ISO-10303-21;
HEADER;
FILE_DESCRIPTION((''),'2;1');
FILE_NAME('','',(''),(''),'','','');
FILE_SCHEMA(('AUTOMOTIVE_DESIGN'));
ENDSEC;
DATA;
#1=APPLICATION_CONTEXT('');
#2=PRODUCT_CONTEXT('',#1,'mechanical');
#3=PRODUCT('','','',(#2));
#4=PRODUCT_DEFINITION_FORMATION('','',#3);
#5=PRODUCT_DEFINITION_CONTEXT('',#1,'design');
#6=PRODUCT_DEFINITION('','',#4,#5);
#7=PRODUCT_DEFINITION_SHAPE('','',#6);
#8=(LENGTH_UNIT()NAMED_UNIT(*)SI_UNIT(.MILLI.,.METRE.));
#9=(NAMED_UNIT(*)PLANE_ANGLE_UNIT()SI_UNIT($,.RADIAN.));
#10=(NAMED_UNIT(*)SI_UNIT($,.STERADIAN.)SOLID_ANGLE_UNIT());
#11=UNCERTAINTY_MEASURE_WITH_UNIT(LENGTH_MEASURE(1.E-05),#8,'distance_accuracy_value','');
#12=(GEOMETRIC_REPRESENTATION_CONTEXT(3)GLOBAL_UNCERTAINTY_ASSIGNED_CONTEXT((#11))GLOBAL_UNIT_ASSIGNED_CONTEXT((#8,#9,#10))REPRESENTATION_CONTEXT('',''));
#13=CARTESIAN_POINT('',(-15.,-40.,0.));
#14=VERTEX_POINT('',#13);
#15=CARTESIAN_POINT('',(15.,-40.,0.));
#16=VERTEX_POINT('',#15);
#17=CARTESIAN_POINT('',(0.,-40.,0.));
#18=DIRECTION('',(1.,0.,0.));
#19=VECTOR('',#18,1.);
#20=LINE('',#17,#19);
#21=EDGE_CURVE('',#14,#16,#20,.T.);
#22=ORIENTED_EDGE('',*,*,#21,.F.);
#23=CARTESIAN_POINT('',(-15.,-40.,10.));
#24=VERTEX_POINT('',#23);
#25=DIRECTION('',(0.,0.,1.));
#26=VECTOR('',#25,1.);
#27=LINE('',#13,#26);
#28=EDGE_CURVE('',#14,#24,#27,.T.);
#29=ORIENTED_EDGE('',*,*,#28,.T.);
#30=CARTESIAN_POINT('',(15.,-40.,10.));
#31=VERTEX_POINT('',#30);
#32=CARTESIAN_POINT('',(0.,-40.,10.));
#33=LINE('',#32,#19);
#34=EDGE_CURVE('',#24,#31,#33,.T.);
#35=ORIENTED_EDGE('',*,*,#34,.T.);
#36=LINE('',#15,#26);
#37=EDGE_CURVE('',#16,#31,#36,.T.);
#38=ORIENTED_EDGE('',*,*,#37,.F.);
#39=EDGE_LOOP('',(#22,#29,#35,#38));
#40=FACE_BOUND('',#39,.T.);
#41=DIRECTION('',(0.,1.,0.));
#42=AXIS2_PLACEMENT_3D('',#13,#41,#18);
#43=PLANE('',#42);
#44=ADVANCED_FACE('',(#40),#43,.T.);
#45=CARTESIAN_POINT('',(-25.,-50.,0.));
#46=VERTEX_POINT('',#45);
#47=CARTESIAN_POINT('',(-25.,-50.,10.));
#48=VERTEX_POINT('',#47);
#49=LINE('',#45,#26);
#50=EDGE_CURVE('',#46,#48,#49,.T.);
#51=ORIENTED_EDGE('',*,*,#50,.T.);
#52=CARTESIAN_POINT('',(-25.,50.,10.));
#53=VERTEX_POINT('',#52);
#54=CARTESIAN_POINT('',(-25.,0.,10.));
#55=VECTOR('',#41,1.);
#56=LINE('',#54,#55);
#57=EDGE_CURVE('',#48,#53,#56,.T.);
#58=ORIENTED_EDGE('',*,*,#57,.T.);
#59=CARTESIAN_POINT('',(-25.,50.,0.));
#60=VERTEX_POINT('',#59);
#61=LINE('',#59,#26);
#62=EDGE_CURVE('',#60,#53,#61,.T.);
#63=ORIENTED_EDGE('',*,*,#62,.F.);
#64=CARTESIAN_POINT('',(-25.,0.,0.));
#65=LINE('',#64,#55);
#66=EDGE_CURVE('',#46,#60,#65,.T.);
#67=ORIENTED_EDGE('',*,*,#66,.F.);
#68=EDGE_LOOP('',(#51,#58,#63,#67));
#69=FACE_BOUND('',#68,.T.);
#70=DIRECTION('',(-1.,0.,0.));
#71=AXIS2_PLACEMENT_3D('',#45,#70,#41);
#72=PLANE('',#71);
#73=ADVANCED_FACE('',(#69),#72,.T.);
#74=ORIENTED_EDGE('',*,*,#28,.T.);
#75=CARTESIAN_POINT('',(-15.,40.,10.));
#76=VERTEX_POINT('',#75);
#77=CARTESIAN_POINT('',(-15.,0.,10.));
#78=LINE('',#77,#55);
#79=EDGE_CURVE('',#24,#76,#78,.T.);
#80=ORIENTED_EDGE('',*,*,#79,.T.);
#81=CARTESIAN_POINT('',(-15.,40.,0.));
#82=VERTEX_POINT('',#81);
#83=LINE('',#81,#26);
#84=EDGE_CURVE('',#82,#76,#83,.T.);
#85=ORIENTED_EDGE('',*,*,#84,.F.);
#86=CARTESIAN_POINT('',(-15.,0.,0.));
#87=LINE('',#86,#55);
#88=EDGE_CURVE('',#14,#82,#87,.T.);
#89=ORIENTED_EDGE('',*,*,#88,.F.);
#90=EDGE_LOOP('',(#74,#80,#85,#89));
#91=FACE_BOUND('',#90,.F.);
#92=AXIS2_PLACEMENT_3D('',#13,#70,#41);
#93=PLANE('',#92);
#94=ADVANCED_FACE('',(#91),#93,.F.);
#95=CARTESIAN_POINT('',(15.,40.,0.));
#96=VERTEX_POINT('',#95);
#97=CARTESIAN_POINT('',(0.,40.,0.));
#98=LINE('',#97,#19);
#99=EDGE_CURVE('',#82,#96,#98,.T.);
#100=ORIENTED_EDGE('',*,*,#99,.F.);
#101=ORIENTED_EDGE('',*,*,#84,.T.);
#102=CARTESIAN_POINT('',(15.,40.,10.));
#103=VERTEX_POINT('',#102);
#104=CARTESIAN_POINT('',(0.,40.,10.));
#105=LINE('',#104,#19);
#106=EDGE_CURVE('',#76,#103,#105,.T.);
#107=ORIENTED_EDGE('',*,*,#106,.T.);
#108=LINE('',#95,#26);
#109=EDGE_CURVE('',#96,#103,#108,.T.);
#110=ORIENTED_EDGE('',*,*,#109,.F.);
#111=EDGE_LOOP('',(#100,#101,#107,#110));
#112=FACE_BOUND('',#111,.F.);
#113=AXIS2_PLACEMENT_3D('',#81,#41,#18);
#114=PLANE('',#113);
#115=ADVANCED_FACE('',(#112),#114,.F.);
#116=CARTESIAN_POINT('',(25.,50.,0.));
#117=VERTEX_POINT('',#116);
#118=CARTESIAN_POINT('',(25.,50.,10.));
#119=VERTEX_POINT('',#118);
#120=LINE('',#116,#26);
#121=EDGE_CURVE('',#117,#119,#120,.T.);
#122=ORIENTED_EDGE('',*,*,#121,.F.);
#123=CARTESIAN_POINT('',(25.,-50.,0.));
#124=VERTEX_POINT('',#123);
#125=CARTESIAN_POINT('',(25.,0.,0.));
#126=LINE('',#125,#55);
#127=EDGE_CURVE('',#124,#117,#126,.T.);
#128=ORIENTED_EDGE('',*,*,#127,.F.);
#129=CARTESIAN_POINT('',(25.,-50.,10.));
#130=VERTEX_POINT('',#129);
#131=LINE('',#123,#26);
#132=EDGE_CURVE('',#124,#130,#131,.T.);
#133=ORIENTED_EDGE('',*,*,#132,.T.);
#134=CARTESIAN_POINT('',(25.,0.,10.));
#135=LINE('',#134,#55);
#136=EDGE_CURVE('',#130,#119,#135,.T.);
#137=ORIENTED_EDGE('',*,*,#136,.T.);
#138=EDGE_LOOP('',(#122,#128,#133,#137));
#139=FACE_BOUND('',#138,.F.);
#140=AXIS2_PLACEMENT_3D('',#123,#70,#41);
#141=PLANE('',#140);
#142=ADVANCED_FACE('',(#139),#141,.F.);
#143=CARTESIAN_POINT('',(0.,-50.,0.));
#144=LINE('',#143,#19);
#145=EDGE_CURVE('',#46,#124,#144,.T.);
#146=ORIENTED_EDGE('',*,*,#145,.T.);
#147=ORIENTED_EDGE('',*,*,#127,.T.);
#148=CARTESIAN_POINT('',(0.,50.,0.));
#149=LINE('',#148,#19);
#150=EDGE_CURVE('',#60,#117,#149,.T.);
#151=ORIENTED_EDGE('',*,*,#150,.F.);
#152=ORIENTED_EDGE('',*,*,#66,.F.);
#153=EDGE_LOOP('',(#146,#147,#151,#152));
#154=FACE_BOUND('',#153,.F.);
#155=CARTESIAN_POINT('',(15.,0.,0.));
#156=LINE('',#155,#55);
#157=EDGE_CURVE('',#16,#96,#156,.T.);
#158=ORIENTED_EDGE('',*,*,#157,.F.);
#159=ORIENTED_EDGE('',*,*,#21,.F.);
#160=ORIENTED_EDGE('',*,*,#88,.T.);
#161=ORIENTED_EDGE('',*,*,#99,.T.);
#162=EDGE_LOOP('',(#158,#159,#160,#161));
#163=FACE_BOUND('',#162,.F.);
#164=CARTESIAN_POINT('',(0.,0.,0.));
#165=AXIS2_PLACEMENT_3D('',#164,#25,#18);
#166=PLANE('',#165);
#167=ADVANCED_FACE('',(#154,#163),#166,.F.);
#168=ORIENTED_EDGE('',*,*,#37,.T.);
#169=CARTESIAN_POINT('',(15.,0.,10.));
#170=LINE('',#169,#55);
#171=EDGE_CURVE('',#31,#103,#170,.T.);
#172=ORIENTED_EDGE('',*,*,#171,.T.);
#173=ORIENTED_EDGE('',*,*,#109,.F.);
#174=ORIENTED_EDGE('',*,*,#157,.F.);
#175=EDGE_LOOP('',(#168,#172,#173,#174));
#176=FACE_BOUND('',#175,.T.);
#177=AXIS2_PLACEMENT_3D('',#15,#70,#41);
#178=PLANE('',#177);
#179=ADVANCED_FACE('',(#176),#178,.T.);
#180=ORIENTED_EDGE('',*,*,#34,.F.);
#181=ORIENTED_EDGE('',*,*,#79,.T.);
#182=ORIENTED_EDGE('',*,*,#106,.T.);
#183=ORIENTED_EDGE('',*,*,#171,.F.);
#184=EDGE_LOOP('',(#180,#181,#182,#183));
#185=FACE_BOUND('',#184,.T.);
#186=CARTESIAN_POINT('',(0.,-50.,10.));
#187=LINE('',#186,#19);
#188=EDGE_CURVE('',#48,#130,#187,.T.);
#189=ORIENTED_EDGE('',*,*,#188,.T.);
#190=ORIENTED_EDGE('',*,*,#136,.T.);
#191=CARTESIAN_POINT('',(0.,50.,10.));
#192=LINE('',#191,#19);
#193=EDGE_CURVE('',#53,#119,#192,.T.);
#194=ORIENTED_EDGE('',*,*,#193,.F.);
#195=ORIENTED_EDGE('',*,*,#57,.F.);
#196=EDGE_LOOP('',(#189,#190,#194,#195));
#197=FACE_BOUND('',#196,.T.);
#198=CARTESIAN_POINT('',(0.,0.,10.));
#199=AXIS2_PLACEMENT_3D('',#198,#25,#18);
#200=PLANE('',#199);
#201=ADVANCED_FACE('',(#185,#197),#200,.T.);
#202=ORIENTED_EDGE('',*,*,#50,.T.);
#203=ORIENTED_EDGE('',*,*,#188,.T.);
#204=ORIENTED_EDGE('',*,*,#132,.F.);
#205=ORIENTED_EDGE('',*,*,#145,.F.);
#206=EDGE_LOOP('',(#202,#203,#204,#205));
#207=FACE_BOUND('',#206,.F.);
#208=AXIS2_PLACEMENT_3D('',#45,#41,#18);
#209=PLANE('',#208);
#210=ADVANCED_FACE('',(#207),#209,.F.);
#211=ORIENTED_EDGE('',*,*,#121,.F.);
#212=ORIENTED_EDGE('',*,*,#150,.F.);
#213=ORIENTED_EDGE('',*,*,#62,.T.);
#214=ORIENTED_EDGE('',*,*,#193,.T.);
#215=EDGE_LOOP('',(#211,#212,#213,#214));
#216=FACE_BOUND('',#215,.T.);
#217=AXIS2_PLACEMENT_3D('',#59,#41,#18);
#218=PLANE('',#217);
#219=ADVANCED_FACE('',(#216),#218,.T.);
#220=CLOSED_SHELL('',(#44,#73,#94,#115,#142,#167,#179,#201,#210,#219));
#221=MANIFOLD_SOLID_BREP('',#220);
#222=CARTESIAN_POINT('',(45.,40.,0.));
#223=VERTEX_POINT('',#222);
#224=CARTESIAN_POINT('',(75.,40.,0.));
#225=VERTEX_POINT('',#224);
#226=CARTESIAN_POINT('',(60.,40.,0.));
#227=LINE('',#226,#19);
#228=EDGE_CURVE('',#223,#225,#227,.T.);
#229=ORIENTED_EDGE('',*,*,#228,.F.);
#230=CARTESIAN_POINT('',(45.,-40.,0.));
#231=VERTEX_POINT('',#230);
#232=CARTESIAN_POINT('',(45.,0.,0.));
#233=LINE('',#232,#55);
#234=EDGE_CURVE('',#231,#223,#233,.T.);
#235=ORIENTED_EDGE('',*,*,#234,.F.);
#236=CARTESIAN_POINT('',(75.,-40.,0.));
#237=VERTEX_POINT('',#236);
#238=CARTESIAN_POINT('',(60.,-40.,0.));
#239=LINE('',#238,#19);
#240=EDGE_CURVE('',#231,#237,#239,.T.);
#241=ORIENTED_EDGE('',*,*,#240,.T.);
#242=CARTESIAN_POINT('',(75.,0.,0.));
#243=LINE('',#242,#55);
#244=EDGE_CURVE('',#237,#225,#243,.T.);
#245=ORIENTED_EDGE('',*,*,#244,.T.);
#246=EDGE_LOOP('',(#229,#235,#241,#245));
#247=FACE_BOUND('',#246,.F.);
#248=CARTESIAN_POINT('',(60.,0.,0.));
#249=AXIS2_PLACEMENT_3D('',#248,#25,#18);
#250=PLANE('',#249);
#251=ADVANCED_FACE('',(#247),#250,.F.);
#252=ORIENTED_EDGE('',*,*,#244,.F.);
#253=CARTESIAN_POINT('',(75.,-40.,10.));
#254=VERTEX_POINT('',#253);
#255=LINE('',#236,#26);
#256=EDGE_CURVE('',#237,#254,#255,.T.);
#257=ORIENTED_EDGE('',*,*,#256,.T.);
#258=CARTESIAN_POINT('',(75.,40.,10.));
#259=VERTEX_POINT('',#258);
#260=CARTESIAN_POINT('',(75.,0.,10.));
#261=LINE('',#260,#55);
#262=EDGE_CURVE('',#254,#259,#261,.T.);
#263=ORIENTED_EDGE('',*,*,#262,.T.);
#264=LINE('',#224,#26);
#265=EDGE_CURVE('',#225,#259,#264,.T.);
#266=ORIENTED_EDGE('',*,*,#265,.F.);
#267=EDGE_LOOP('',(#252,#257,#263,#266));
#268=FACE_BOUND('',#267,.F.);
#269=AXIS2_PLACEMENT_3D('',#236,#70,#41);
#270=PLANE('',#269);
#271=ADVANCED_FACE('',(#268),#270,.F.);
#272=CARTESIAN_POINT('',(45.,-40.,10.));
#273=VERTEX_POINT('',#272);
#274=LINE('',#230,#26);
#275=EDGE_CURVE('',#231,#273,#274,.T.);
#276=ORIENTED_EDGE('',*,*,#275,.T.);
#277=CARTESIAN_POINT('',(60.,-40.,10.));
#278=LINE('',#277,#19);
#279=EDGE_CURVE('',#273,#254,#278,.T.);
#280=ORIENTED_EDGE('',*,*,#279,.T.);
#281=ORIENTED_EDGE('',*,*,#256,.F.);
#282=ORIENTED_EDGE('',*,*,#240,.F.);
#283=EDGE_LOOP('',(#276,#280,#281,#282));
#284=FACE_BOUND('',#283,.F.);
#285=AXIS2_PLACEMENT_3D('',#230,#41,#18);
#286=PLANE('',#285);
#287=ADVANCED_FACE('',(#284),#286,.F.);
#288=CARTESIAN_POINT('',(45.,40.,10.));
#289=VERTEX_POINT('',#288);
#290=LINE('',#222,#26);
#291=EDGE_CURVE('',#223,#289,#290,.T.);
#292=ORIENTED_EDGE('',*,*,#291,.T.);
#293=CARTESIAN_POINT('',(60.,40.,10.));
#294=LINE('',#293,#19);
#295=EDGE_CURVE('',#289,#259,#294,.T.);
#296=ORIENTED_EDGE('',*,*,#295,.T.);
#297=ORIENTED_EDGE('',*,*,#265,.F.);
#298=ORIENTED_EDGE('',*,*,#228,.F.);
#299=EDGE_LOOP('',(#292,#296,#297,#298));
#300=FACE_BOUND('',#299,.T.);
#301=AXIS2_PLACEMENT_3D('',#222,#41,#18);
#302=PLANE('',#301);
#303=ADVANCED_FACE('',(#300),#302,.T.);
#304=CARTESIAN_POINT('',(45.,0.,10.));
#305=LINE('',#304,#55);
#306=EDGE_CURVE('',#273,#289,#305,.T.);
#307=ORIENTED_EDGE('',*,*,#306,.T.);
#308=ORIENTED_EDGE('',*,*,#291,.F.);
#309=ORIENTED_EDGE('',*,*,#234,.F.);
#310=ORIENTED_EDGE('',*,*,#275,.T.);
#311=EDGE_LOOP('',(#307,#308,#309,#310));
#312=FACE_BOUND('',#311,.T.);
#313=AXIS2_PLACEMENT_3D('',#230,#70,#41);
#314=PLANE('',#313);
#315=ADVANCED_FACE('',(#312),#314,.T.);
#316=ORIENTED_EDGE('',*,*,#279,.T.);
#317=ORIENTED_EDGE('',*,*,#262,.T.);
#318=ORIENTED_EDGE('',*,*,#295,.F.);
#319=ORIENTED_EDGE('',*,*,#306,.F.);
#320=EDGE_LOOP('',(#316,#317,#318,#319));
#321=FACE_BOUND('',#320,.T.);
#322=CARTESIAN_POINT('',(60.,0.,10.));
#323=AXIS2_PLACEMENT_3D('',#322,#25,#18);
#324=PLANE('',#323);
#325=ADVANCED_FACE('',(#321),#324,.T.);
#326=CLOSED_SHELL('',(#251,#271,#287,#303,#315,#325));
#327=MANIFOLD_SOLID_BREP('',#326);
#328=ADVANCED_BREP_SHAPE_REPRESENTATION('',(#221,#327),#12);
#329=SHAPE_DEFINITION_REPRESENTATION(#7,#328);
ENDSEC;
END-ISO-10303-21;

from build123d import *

# Parameters (mm, degrees)
F0_W     = 50
F0_H     = 100
F0_W_2   = 30
F0_H_2   = 80
F1_DEPTH = 10


with BuildPart() as f1:
    # F0 (on Top) → F1 (new body)
    with BuildSketch(Plane.XY):
        Rectangle(F0_W, F0_H)
        Rectangle(F0_W_2, F0_H_2, mode=Mode.SUBTRACT)
        with Locations((60, 0)):
            Rectangle(F0_W_2, F0_H_2)
    extrude(amount=F1_DEPTH)


solid = f1.part
